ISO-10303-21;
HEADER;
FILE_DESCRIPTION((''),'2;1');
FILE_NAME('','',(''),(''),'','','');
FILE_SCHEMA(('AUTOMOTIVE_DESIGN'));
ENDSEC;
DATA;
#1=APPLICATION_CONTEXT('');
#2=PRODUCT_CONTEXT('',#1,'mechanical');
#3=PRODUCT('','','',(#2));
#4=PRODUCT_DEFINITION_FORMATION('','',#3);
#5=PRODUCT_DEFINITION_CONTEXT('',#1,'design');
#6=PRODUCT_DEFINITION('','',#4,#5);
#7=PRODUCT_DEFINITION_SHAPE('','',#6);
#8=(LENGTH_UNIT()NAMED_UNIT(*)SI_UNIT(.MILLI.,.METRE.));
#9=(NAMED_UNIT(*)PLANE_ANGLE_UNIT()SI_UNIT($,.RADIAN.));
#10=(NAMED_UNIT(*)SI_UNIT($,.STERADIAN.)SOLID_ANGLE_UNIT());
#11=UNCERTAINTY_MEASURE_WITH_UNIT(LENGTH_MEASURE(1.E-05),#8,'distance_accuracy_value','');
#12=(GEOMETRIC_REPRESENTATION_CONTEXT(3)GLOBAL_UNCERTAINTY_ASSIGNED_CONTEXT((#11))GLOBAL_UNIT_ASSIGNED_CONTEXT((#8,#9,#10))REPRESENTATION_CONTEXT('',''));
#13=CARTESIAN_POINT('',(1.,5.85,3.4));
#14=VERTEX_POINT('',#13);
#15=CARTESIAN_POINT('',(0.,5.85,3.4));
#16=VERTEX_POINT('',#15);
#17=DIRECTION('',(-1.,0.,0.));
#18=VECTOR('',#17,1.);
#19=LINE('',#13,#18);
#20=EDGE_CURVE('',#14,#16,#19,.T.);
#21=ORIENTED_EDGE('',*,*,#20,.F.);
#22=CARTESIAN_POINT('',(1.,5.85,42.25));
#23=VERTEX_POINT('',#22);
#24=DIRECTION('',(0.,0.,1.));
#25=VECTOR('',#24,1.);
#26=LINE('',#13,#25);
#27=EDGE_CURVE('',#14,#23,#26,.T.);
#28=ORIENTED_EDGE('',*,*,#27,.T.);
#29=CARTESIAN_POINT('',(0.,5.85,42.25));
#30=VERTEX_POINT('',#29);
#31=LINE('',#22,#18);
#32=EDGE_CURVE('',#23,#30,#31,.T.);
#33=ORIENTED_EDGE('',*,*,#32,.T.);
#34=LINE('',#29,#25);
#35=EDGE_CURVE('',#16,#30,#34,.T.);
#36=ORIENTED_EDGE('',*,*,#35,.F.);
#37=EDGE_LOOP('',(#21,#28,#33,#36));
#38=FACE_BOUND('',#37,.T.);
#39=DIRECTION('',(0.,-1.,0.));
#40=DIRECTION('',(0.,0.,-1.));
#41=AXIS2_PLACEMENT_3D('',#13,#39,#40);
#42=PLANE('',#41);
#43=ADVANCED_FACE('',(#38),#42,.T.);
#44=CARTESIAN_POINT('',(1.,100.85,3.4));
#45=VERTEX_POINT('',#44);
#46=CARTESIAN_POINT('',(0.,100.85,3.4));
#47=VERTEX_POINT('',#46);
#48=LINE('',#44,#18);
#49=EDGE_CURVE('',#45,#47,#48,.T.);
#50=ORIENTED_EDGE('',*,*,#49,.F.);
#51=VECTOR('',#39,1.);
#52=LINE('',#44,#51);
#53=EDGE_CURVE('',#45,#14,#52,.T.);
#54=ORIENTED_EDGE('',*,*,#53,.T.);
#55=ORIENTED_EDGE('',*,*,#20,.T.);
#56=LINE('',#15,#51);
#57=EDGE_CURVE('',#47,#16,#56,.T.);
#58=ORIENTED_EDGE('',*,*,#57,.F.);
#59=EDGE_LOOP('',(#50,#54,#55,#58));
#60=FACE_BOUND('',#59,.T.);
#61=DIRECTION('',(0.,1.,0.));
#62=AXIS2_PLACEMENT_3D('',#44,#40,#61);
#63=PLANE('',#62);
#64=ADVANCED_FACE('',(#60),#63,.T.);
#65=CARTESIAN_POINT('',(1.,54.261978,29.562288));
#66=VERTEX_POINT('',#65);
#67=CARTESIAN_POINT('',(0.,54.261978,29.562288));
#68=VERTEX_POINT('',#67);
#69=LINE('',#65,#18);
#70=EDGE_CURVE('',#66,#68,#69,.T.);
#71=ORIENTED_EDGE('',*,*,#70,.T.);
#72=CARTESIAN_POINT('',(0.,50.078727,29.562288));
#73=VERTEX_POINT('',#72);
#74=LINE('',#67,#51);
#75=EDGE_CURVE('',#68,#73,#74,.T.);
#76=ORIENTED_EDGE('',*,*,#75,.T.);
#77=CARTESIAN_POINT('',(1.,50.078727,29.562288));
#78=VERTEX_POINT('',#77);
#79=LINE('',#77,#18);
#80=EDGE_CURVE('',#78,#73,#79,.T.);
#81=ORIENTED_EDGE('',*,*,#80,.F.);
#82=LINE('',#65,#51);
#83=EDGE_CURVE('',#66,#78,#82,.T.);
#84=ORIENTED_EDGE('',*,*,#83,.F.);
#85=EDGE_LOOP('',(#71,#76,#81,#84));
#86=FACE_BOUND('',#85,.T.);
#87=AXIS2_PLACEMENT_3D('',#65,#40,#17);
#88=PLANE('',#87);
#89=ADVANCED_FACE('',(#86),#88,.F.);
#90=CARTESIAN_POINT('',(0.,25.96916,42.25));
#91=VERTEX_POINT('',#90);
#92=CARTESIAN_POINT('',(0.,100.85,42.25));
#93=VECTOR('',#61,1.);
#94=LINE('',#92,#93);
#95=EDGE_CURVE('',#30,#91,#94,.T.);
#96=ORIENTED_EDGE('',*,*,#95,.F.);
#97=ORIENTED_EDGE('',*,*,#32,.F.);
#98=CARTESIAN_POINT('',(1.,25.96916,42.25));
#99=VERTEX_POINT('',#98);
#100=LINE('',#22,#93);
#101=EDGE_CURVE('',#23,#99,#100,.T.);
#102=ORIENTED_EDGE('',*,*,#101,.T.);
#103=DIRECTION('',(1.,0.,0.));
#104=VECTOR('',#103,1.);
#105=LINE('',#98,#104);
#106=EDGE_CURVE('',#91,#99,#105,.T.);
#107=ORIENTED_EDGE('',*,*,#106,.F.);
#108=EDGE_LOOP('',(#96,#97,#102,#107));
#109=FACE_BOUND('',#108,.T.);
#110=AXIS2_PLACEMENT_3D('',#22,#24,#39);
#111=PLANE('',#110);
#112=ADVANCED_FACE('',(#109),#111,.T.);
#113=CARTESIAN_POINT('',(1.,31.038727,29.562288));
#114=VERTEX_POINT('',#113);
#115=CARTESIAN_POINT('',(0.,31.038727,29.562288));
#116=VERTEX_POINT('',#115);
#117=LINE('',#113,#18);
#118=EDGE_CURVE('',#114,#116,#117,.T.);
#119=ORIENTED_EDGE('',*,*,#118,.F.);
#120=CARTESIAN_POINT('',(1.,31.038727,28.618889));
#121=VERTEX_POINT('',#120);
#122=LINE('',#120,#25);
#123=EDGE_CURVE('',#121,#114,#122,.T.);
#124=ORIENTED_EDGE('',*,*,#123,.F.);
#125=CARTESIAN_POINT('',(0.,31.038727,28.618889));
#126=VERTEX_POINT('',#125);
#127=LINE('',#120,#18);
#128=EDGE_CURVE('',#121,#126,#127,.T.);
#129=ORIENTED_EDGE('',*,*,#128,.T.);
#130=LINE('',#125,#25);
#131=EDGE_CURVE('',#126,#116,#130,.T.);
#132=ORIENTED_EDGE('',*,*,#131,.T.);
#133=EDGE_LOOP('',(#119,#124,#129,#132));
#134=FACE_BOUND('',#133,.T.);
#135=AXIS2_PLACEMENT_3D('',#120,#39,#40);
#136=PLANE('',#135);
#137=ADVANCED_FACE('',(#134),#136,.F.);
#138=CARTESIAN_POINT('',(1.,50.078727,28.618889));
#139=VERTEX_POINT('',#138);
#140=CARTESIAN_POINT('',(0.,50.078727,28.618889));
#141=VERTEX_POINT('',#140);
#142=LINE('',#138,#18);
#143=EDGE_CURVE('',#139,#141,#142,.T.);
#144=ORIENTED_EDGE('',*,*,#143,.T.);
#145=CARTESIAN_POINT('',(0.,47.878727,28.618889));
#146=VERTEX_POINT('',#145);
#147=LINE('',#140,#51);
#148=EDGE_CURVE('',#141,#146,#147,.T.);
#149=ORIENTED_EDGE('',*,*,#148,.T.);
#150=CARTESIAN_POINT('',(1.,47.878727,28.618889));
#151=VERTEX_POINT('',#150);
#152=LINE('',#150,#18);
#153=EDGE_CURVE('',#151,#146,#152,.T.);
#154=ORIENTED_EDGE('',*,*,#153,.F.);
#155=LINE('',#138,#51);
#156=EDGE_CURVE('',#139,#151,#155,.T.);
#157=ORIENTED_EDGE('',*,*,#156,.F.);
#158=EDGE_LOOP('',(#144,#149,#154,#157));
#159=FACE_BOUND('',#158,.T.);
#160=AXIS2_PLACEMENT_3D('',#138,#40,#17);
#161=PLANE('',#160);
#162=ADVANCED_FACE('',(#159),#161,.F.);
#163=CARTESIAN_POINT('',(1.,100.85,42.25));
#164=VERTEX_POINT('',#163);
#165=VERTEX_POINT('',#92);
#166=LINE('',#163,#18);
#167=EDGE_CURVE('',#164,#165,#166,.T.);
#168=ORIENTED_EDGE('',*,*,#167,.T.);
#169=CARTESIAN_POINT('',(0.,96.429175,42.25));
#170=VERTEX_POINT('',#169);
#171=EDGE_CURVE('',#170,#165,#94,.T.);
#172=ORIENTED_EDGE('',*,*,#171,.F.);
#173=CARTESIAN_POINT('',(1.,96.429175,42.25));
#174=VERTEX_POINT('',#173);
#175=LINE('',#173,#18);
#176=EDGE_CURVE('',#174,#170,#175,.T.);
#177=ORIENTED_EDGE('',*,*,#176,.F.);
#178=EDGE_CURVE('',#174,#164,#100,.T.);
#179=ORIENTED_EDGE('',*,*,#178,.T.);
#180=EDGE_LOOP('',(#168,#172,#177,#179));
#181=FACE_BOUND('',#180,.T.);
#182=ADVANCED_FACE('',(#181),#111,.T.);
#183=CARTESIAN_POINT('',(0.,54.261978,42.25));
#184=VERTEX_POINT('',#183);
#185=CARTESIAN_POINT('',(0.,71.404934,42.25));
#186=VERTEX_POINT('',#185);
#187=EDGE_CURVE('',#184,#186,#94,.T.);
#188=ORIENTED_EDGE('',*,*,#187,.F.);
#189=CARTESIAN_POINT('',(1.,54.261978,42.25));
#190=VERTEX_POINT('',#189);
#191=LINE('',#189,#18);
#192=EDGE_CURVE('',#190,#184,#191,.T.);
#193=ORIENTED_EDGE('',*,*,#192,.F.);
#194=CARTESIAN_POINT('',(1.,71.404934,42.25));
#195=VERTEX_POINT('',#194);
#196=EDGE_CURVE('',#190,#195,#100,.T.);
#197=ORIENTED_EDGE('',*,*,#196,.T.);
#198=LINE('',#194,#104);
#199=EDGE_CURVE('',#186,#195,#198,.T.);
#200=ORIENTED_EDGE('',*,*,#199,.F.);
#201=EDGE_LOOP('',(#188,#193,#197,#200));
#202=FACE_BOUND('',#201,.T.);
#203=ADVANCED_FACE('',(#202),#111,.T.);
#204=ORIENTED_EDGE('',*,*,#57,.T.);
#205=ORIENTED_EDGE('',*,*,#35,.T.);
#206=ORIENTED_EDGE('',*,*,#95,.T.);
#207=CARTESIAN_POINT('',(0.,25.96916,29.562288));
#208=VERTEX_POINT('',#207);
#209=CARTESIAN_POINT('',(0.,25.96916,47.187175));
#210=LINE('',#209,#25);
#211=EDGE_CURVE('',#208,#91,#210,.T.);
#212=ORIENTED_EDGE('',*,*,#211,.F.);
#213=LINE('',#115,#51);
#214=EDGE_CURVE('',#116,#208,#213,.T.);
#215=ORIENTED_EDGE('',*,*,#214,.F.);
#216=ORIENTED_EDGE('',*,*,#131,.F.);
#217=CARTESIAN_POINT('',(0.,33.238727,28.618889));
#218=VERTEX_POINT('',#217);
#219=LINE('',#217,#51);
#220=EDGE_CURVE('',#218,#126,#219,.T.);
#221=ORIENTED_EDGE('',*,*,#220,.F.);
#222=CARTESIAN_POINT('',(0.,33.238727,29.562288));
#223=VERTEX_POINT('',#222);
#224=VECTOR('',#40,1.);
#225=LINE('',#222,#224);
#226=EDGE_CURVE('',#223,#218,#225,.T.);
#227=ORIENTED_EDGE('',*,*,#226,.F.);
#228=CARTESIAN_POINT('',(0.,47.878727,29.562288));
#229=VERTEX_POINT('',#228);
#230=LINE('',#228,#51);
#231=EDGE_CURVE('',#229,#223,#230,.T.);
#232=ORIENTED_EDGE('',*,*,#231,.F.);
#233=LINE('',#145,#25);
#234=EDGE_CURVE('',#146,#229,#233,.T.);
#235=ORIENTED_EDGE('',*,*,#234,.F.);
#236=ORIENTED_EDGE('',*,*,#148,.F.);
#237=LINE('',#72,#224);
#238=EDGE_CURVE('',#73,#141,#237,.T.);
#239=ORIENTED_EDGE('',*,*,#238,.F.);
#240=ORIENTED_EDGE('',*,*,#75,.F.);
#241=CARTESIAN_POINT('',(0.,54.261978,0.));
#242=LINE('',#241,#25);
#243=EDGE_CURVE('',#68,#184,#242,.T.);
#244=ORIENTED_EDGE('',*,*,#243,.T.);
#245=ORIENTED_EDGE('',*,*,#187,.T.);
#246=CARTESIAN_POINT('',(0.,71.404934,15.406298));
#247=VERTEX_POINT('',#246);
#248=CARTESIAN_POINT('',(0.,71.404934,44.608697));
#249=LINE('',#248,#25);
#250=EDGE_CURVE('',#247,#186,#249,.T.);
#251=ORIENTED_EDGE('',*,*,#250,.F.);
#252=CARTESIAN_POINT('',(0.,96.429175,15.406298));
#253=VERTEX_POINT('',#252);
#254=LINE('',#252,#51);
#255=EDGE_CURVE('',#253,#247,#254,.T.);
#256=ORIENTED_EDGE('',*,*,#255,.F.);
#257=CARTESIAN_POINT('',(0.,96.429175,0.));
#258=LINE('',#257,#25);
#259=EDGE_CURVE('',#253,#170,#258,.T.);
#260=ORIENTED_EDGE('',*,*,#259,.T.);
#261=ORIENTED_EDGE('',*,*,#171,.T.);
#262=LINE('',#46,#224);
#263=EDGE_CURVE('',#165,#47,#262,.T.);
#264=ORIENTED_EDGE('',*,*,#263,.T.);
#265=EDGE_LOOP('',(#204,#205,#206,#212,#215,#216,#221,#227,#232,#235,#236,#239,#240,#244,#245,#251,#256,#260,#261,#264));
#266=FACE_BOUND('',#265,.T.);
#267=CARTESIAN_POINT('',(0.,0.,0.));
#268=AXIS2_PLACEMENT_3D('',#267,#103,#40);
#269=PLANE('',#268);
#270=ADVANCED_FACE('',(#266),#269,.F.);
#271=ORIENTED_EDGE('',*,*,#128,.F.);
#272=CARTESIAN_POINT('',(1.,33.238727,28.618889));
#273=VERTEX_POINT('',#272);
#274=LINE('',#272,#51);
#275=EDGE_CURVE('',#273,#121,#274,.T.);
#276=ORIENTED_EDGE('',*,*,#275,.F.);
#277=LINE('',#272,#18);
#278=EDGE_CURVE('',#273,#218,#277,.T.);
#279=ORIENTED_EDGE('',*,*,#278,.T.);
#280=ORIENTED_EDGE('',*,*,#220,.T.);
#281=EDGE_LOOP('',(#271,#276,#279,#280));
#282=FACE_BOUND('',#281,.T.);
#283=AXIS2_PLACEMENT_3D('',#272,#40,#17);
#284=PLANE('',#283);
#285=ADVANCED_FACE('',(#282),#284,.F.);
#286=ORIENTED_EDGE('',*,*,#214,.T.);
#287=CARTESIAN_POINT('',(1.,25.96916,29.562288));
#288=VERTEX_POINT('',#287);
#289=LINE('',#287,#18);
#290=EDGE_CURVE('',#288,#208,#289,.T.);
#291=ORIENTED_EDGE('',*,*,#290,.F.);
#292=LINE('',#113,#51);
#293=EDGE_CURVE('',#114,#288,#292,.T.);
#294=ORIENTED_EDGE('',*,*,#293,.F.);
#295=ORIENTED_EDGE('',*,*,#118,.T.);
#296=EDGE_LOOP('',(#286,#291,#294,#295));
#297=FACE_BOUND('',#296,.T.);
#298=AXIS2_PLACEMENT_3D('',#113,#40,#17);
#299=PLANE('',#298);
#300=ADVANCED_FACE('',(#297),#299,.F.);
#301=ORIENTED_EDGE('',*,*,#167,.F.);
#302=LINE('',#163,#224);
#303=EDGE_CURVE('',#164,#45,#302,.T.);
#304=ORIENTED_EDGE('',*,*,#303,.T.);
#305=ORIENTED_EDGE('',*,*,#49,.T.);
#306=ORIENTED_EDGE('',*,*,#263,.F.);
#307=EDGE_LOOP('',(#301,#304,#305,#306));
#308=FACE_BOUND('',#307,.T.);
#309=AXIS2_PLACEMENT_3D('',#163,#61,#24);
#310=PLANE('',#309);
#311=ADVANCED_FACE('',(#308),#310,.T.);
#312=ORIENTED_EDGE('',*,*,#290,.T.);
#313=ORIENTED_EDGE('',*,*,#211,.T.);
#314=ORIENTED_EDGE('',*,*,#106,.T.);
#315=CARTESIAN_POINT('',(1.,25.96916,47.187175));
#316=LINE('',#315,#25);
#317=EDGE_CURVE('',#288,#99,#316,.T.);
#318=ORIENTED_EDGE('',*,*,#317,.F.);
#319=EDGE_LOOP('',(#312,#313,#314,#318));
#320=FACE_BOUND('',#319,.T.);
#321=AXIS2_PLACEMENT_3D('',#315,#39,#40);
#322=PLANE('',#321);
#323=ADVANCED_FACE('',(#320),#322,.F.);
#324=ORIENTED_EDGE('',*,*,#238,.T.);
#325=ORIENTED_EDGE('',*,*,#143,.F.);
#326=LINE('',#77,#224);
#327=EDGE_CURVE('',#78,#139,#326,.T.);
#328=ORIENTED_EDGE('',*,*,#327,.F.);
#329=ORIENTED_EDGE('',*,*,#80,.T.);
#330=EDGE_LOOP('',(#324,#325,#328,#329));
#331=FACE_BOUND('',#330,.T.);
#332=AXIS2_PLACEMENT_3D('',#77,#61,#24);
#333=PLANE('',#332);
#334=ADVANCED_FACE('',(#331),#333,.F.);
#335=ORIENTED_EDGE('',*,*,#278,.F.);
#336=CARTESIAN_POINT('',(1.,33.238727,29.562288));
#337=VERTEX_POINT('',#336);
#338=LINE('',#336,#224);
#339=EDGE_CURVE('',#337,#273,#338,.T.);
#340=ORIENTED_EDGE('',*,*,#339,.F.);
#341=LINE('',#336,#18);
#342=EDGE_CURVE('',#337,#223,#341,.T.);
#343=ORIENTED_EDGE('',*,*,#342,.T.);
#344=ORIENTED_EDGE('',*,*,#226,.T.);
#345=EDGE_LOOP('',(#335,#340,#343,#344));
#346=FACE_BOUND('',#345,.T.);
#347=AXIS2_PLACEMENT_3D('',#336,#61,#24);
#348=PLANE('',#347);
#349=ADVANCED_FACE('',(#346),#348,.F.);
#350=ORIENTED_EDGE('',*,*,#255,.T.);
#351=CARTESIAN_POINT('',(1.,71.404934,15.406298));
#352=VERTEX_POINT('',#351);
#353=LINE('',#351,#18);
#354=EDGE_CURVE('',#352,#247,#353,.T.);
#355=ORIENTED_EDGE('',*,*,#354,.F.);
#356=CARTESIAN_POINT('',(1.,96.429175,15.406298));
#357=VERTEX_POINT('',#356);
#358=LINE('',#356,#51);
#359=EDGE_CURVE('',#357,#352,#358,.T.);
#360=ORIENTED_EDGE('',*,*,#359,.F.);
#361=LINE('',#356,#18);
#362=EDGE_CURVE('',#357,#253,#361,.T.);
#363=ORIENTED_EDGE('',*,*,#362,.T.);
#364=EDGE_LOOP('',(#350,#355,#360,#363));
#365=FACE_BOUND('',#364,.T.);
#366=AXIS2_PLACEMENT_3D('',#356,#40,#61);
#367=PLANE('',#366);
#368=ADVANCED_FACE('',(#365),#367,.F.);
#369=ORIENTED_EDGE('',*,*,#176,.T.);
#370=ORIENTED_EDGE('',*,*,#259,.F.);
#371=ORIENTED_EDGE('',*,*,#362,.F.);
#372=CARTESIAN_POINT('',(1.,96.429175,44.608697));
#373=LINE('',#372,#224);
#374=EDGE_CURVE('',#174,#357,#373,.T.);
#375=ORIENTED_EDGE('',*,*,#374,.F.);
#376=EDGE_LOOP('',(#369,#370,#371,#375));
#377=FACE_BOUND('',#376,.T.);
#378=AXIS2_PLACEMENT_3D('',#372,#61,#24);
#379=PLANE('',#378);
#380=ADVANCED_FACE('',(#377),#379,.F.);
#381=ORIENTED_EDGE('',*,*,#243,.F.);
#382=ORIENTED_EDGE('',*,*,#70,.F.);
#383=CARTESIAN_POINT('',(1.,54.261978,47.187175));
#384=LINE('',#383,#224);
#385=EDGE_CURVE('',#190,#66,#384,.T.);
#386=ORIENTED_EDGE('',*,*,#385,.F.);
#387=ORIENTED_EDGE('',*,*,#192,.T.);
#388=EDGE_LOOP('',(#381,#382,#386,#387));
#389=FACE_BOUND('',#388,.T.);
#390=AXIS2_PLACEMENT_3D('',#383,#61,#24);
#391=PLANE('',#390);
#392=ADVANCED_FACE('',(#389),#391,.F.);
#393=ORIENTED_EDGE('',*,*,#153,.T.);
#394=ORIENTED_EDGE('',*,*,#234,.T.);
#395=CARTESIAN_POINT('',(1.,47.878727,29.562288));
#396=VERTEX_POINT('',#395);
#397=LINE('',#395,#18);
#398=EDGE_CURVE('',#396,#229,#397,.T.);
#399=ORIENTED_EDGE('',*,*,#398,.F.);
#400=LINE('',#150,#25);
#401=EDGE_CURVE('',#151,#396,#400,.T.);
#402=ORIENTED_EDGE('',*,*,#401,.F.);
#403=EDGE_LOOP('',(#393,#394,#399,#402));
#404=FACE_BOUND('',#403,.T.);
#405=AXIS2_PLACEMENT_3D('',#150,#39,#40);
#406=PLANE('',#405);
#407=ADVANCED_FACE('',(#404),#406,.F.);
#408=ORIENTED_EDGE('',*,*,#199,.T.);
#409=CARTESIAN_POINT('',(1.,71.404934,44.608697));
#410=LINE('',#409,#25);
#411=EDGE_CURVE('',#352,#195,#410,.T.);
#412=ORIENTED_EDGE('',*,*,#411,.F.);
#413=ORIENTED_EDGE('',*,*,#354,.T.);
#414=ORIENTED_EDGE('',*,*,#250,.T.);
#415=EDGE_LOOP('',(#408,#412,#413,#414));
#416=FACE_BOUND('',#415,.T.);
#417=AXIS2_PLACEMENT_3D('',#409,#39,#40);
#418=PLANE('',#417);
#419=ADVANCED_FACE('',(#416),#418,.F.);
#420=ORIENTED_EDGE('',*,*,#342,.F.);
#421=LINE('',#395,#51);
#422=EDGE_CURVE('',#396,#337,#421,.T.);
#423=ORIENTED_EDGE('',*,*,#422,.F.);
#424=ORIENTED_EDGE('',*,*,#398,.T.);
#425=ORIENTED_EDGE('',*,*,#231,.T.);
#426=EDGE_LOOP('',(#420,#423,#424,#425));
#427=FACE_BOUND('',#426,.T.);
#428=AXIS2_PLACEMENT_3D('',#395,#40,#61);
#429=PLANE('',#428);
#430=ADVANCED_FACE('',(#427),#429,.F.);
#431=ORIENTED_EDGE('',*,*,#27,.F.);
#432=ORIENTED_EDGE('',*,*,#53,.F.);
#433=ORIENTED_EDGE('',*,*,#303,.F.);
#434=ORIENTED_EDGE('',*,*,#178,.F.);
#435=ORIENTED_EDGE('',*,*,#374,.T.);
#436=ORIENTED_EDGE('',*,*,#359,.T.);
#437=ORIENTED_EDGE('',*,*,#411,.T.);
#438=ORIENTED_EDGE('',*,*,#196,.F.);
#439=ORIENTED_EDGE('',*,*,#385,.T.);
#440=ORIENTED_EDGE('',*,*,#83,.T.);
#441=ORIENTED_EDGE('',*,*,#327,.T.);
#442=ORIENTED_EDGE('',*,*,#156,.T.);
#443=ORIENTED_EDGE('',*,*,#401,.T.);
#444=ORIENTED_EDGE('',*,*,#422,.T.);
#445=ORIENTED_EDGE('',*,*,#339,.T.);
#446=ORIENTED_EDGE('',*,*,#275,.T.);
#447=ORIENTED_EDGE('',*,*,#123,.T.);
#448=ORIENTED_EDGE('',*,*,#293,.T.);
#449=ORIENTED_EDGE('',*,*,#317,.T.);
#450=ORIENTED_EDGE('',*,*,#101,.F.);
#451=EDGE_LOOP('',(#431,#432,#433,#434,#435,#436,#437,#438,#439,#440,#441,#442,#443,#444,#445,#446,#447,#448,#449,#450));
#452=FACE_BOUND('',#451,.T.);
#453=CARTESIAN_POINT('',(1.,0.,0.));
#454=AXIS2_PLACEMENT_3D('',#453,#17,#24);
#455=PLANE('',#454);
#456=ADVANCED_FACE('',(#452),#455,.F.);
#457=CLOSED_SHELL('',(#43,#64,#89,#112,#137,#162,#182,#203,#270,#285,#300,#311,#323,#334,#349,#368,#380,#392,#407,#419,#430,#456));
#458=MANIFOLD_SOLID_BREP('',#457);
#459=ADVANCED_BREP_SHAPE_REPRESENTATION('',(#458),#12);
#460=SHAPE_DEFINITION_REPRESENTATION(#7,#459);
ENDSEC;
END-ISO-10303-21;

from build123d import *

# Parameters (mm, degrees)
SKETCH_1_W          = 95
SKETCH_1_H          = 38.85
EXTRUDE_1_DEPTH     = 0.5
SKETCH_2_W          = 38.85
SKETCH_2_H          = 95
EXTRUDE_2_DEPTH     = 0.5
SKETCH_3_W          = 29.202398915
SKETCH_3_H          = 25.024241253
CUT_EXTRUDE_1_DEPTH = 110.347085009


with BuildPart() as part:
    # Эскиз1 → Бобышка-Вытянуть1 (new body)
    with BuildSketch(Plane(origin=(0.5, 0, 0), x_dir=(0, -1, 0), z_dir=(-1, 0, 0))):
        with Locations((-53.35, 22.825)):
            Rectangle(SKETCH_1_W, SKETCH_1_H)
    extrude(amount=-EXTRUDE_1_DEPTH)

    # Эскиз2 → Бобышка-Вытянуть2 (add)
    with BuildSketch(Plane.ZY.offset(-0.5)):
        with Locations((22.825, 53.35)):
            Rectangle(SKETCH_2_W, SKETCH_2_H)
    extrude(amount=EXTRUDE_2_DEPTH)

    # Эскиз3 → Вырез-Вытянуть1 (cut, through all)
    with BuildSketch(Plane.ZY):
        Polygon((47.187175015, 54.261978396), (29.562288031, 54.261978396), (29.562288031, 50.078726521), (28.618889228, 50.078726521), (28.618889228, 47.878726521), (29.562288031, 47.878726521), (29.562288031, 33.238726521), (28.618889228, 33.238726521), (28.618889228, 31.038726521), (29.562288031, 31.038726521), (29.562288031, 25.969159943), (47.187175015, 25.969159943), align=None)
        with Locations((30.007497179, 83.917054381)):
            Rectangle(SKETCH_3_W, SKETCH_3_H)
    extrude(amount=-CUT_EXTRUDE_1_DEPTH, mode=Mode.SUBTRACT)


solid = part.part
